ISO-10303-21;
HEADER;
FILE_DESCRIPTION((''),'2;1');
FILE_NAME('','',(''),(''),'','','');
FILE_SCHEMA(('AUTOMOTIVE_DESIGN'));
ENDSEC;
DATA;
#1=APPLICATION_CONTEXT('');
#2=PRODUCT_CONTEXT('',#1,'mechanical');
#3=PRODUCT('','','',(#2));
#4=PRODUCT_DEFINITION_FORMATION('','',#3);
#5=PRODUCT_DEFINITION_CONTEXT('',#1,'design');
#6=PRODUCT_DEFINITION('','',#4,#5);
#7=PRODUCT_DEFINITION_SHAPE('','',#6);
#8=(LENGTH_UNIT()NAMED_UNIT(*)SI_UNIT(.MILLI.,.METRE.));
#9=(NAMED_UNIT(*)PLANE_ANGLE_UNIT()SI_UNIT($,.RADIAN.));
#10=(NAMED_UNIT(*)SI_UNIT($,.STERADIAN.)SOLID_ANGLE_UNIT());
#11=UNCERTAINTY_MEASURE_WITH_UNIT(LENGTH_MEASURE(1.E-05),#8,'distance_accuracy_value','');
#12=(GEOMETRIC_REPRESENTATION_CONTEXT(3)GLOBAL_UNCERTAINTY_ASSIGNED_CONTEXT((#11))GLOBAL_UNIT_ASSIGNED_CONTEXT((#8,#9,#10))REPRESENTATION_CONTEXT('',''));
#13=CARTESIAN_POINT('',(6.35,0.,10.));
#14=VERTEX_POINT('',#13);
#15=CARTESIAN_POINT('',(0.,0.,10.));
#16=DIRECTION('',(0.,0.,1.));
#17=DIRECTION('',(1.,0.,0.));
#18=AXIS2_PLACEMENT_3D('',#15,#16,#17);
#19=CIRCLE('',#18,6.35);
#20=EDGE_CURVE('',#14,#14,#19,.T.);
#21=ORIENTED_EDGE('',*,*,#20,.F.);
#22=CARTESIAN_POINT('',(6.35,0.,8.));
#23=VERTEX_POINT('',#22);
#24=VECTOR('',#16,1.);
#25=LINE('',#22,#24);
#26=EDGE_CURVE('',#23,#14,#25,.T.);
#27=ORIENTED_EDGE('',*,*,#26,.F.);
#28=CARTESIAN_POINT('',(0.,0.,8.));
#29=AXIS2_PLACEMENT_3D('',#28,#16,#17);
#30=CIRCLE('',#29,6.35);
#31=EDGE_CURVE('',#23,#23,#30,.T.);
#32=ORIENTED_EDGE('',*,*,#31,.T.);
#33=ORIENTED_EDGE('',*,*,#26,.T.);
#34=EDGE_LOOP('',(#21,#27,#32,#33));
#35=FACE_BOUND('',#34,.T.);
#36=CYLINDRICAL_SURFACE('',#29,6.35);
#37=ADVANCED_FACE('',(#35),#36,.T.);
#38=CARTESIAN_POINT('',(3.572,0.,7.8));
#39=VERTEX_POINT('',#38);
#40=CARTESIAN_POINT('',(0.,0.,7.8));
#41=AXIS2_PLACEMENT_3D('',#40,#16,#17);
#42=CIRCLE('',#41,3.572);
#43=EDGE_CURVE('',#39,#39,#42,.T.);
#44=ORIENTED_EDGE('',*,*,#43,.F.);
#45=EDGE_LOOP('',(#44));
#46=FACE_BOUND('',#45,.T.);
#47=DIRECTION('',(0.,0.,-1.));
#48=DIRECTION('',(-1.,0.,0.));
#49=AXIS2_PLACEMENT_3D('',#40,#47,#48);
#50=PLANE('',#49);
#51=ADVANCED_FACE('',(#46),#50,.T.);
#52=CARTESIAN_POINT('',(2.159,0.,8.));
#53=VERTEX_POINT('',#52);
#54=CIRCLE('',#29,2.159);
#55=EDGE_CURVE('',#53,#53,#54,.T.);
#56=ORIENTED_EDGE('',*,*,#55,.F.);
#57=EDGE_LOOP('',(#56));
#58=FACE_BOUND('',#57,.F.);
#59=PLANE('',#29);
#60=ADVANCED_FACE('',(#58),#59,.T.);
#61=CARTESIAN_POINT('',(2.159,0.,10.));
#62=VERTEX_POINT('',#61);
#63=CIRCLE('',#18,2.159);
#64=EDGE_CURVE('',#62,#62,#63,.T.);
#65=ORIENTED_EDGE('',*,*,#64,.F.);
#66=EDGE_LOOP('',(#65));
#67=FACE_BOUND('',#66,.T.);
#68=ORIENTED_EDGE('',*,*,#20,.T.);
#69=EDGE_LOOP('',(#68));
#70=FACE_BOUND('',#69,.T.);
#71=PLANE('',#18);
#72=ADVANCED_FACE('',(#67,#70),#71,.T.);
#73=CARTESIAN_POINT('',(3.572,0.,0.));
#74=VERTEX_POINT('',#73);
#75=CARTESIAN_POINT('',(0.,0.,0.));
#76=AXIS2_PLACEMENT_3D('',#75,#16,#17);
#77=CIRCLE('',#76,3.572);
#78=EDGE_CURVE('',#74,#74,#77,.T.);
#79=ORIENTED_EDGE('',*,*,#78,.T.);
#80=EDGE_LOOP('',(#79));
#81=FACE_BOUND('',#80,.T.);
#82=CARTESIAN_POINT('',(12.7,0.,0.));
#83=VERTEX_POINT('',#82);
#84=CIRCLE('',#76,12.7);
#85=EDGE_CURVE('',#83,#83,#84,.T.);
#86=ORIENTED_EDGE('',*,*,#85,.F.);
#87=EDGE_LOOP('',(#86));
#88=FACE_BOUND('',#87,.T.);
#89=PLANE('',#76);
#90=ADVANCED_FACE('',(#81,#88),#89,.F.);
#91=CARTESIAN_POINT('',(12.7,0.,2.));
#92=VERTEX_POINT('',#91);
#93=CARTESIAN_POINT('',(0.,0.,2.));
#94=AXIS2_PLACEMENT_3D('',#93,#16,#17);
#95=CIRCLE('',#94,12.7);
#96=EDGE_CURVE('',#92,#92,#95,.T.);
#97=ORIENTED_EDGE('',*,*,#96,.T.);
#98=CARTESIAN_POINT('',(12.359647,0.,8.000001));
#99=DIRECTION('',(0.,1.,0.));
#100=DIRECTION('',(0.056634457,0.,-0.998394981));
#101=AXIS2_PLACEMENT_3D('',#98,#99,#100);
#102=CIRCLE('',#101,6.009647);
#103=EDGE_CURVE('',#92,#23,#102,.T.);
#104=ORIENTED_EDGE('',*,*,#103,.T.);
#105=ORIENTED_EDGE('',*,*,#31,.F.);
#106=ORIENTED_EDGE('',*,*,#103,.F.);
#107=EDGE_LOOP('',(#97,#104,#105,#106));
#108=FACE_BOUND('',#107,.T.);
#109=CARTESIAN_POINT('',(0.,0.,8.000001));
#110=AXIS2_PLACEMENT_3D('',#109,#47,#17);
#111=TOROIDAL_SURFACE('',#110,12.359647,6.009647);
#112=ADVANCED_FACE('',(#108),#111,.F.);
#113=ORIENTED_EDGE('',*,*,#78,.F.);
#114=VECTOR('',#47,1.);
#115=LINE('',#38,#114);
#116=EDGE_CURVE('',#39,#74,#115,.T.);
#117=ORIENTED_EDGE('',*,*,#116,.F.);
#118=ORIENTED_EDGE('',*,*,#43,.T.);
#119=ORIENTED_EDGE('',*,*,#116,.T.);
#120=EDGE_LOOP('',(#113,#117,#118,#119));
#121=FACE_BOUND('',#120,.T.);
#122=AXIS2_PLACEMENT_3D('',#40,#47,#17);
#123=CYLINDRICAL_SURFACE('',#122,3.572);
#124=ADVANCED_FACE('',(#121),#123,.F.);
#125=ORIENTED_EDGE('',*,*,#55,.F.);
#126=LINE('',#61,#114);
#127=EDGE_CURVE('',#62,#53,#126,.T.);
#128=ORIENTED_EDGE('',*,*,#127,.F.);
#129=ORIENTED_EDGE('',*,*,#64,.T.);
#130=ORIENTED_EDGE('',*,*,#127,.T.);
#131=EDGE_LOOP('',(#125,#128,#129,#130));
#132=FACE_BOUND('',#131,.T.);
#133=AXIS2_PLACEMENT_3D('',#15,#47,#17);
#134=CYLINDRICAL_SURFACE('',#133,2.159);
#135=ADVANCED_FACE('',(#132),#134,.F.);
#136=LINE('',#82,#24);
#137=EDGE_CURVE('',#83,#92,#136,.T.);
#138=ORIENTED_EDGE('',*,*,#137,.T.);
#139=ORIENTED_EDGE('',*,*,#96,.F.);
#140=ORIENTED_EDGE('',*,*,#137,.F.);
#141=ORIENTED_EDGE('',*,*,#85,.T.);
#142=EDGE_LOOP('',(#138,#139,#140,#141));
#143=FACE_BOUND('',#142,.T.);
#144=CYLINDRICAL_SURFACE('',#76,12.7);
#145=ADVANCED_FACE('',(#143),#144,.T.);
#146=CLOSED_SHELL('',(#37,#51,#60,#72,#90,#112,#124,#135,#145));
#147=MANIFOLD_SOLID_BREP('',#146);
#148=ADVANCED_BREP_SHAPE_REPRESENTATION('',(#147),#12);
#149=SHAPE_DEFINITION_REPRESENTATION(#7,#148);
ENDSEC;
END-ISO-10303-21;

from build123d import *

# Parameters (mm, degrees)
F0_W = 2.159
F0_H = 0.2


with BuildPart() as f1:
    # F0 (on Front) → F1 (revolve)
    with BuildSketch(Plane.XZ):
        with BuildLine():
            Line((3.572, 7.8), (3.572, 0))
            Line((3.572, 0), (12.7, 0))
            Line((12.7, 0), (12.7, 2))
            ThreePointArc((12.7, 2), (8.232272, 3.631863), (6.35, 8))
            Line((6.35, 8), (6.35, 10))
            Line((6.35, 10), (2.159, 10))
            Line((2.159, 10), (2.159, 8))
            Line((2.159, 8), (2.159, 7.8))
            Line((2.159, 7.8), (3.572, 7.8))
        make_face()
        with Locations((1.0795, 7.9)):
            Rectangle(F0_W, F0_H)
    revolve(axis=Axis((0, 0, 5), (0, 0, 1)))


solid = f1.part
